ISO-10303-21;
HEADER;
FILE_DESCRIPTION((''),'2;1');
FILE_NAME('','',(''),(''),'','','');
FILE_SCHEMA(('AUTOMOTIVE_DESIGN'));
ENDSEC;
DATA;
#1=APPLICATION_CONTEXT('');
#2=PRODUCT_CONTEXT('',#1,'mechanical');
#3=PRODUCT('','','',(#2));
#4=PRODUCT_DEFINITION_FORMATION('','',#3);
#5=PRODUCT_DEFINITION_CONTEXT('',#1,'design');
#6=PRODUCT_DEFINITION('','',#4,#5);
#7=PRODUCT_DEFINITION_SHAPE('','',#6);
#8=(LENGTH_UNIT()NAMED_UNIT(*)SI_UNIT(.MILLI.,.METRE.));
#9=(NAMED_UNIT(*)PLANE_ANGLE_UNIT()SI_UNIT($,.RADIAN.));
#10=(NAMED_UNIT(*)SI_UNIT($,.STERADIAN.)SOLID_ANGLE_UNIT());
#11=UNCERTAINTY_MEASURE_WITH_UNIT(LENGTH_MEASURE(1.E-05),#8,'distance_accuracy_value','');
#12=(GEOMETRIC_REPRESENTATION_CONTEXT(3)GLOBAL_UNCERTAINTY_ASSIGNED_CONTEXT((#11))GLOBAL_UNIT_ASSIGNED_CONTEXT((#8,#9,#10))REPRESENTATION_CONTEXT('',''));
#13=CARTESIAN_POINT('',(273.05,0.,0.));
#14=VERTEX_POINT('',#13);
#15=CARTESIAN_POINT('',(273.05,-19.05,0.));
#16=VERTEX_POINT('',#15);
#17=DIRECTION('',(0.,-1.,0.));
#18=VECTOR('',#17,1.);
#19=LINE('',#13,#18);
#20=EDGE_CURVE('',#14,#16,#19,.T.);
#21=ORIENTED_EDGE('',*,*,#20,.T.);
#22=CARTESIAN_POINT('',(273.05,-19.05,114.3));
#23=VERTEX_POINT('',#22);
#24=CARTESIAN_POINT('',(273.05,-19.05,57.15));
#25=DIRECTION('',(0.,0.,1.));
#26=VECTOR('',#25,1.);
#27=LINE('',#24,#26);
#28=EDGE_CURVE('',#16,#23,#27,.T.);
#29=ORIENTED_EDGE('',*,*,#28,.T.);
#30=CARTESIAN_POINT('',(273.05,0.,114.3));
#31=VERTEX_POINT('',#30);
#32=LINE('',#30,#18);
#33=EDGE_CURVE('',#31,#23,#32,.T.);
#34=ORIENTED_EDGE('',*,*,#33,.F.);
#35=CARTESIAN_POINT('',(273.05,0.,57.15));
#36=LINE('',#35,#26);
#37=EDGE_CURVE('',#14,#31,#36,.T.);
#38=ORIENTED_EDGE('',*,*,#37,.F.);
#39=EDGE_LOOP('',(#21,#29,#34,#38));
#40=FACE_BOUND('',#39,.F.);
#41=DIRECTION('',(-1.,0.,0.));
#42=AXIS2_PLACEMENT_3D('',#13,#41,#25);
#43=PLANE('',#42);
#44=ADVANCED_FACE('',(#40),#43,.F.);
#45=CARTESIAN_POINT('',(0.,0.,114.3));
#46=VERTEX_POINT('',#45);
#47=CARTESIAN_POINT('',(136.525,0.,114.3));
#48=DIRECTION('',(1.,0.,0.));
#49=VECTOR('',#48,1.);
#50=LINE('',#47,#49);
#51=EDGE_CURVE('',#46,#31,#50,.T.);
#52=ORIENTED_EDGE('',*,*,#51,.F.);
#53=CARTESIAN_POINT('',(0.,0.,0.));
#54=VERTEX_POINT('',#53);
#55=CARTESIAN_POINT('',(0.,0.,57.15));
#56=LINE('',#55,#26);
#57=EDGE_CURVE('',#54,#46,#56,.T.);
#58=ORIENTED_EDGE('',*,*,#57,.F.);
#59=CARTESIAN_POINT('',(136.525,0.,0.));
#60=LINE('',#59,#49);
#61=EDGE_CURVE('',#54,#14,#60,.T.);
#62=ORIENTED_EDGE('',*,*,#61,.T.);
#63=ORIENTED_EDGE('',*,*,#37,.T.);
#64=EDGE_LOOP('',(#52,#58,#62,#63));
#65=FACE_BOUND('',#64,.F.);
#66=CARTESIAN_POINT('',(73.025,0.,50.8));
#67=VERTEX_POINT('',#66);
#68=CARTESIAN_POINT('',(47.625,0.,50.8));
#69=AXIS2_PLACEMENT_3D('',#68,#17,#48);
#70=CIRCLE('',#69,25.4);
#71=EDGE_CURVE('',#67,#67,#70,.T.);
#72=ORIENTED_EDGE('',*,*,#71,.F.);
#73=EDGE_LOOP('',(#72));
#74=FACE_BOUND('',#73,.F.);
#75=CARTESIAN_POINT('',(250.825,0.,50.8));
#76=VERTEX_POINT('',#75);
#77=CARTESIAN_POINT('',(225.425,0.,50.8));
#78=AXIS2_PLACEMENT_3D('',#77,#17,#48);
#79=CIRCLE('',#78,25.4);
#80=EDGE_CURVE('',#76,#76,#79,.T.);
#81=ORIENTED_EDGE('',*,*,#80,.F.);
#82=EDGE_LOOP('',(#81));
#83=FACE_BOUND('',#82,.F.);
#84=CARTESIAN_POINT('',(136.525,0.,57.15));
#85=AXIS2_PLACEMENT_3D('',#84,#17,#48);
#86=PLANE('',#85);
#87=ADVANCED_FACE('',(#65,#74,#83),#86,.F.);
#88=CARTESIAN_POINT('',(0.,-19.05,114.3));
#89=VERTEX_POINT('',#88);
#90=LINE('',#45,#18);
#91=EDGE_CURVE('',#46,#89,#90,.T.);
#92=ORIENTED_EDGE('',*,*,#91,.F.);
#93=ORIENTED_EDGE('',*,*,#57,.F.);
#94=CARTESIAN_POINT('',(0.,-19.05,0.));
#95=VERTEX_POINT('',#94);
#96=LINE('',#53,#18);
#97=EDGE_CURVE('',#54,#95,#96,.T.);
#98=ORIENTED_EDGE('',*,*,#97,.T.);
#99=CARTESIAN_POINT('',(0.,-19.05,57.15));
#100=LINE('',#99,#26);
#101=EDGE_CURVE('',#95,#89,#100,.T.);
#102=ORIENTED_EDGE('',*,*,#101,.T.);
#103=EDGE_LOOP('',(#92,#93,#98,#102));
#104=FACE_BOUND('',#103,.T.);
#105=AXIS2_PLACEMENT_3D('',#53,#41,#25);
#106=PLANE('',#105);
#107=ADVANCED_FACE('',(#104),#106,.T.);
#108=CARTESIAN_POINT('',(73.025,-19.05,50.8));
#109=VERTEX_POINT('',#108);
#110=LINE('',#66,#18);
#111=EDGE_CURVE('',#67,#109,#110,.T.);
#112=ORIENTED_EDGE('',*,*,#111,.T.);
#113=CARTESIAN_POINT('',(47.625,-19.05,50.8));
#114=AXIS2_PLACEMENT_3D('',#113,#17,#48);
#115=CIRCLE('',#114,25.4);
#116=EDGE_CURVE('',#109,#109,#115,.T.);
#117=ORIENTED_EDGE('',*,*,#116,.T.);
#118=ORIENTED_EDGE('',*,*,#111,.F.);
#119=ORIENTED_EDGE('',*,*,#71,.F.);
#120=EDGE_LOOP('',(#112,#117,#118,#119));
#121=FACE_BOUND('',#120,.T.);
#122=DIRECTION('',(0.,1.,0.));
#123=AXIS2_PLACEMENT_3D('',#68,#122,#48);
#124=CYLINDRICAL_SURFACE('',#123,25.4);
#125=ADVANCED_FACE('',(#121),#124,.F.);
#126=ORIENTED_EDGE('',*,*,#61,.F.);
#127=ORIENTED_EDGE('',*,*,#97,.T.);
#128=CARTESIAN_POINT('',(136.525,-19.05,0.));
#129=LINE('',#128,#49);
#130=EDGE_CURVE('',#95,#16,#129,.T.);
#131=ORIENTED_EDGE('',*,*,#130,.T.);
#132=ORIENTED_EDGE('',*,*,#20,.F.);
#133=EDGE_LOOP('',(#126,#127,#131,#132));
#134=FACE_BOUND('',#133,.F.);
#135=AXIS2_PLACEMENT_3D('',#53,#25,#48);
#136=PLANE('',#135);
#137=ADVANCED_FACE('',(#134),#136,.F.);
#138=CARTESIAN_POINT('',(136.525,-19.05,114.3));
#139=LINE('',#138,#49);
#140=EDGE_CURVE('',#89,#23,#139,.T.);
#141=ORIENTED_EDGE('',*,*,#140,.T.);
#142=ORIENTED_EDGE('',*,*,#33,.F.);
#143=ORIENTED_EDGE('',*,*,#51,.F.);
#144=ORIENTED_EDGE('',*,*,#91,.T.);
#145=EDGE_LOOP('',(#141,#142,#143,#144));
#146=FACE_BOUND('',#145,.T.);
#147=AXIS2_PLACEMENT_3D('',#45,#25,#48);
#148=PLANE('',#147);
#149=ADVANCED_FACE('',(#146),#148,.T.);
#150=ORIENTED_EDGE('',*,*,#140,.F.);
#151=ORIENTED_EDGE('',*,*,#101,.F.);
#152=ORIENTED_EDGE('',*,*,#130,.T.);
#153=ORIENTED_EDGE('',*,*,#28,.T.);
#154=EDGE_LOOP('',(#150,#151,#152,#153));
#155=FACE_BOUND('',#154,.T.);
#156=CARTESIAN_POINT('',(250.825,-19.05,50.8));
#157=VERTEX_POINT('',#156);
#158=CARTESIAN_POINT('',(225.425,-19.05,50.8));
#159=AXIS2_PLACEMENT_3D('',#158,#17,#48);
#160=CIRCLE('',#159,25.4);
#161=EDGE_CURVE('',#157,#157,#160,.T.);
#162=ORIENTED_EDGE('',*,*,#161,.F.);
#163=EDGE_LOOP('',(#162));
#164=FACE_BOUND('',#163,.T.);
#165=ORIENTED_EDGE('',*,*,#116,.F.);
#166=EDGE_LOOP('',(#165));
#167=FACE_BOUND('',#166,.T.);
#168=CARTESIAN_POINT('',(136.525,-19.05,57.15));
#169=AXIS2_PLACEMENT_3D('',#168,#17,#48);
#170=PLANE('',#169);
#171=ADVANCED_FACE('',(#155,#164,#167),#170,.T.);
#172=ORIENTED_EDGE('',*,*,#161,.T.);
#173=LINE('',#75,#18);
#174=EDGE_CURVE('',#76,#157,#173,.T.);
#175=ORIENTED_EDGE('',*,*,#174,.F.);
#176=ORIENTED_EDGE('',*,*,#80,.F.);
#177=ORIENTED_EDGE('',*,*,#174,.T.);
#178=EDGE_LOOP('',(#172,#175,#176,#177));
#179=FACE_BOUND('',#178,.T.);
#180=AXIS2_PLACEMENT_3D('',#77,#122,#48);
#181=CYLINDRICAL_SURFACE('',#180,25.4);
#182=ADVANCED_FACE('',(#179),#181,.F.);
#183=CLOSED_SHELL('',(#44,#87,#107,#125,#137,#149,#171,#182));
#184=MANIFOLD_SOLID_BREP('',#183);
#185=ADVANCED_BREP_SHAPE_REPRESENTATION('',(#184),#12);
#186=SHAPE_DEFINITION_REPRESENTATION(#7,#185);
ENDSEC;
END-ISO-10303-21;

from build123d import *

# Parameters (mm, degrees)
F1_W     = 273.05
F1_H     = 114.3
F1_R     = 25.4
F2_DEPTH = 19.05
F3_DEPTH = 25.4


with BuildPart() as f2:
    # F1 (on face) → F2 (new body)
    with BuildSketch(Plane.XZ):
        with Locations((136.525, 57.15)):
            Rectangle(F1_W, F1_H)
        with Locations((47.625, 50.8)):
            Circle(F1_R, mode=Mode.SUBTRACT)
        with Locations((225.425, 50.8)):
            Circle(F1_R, mode=Mode.SUBTRACT)
    extrude(amount=F2_DEPTH)

    # F1 (on face) → F3 (cut)
    with BuildSketch(Plane.XZ):
        with Locations((47.625, 50.8)):
            Circle(F1_R)
        with Locations((225.425, 50.8)):
            Circle(F1_R)
    extrude(amount=-F3_DEPTH, mode=Mode.SUBTRACT)


solid = f2.part
